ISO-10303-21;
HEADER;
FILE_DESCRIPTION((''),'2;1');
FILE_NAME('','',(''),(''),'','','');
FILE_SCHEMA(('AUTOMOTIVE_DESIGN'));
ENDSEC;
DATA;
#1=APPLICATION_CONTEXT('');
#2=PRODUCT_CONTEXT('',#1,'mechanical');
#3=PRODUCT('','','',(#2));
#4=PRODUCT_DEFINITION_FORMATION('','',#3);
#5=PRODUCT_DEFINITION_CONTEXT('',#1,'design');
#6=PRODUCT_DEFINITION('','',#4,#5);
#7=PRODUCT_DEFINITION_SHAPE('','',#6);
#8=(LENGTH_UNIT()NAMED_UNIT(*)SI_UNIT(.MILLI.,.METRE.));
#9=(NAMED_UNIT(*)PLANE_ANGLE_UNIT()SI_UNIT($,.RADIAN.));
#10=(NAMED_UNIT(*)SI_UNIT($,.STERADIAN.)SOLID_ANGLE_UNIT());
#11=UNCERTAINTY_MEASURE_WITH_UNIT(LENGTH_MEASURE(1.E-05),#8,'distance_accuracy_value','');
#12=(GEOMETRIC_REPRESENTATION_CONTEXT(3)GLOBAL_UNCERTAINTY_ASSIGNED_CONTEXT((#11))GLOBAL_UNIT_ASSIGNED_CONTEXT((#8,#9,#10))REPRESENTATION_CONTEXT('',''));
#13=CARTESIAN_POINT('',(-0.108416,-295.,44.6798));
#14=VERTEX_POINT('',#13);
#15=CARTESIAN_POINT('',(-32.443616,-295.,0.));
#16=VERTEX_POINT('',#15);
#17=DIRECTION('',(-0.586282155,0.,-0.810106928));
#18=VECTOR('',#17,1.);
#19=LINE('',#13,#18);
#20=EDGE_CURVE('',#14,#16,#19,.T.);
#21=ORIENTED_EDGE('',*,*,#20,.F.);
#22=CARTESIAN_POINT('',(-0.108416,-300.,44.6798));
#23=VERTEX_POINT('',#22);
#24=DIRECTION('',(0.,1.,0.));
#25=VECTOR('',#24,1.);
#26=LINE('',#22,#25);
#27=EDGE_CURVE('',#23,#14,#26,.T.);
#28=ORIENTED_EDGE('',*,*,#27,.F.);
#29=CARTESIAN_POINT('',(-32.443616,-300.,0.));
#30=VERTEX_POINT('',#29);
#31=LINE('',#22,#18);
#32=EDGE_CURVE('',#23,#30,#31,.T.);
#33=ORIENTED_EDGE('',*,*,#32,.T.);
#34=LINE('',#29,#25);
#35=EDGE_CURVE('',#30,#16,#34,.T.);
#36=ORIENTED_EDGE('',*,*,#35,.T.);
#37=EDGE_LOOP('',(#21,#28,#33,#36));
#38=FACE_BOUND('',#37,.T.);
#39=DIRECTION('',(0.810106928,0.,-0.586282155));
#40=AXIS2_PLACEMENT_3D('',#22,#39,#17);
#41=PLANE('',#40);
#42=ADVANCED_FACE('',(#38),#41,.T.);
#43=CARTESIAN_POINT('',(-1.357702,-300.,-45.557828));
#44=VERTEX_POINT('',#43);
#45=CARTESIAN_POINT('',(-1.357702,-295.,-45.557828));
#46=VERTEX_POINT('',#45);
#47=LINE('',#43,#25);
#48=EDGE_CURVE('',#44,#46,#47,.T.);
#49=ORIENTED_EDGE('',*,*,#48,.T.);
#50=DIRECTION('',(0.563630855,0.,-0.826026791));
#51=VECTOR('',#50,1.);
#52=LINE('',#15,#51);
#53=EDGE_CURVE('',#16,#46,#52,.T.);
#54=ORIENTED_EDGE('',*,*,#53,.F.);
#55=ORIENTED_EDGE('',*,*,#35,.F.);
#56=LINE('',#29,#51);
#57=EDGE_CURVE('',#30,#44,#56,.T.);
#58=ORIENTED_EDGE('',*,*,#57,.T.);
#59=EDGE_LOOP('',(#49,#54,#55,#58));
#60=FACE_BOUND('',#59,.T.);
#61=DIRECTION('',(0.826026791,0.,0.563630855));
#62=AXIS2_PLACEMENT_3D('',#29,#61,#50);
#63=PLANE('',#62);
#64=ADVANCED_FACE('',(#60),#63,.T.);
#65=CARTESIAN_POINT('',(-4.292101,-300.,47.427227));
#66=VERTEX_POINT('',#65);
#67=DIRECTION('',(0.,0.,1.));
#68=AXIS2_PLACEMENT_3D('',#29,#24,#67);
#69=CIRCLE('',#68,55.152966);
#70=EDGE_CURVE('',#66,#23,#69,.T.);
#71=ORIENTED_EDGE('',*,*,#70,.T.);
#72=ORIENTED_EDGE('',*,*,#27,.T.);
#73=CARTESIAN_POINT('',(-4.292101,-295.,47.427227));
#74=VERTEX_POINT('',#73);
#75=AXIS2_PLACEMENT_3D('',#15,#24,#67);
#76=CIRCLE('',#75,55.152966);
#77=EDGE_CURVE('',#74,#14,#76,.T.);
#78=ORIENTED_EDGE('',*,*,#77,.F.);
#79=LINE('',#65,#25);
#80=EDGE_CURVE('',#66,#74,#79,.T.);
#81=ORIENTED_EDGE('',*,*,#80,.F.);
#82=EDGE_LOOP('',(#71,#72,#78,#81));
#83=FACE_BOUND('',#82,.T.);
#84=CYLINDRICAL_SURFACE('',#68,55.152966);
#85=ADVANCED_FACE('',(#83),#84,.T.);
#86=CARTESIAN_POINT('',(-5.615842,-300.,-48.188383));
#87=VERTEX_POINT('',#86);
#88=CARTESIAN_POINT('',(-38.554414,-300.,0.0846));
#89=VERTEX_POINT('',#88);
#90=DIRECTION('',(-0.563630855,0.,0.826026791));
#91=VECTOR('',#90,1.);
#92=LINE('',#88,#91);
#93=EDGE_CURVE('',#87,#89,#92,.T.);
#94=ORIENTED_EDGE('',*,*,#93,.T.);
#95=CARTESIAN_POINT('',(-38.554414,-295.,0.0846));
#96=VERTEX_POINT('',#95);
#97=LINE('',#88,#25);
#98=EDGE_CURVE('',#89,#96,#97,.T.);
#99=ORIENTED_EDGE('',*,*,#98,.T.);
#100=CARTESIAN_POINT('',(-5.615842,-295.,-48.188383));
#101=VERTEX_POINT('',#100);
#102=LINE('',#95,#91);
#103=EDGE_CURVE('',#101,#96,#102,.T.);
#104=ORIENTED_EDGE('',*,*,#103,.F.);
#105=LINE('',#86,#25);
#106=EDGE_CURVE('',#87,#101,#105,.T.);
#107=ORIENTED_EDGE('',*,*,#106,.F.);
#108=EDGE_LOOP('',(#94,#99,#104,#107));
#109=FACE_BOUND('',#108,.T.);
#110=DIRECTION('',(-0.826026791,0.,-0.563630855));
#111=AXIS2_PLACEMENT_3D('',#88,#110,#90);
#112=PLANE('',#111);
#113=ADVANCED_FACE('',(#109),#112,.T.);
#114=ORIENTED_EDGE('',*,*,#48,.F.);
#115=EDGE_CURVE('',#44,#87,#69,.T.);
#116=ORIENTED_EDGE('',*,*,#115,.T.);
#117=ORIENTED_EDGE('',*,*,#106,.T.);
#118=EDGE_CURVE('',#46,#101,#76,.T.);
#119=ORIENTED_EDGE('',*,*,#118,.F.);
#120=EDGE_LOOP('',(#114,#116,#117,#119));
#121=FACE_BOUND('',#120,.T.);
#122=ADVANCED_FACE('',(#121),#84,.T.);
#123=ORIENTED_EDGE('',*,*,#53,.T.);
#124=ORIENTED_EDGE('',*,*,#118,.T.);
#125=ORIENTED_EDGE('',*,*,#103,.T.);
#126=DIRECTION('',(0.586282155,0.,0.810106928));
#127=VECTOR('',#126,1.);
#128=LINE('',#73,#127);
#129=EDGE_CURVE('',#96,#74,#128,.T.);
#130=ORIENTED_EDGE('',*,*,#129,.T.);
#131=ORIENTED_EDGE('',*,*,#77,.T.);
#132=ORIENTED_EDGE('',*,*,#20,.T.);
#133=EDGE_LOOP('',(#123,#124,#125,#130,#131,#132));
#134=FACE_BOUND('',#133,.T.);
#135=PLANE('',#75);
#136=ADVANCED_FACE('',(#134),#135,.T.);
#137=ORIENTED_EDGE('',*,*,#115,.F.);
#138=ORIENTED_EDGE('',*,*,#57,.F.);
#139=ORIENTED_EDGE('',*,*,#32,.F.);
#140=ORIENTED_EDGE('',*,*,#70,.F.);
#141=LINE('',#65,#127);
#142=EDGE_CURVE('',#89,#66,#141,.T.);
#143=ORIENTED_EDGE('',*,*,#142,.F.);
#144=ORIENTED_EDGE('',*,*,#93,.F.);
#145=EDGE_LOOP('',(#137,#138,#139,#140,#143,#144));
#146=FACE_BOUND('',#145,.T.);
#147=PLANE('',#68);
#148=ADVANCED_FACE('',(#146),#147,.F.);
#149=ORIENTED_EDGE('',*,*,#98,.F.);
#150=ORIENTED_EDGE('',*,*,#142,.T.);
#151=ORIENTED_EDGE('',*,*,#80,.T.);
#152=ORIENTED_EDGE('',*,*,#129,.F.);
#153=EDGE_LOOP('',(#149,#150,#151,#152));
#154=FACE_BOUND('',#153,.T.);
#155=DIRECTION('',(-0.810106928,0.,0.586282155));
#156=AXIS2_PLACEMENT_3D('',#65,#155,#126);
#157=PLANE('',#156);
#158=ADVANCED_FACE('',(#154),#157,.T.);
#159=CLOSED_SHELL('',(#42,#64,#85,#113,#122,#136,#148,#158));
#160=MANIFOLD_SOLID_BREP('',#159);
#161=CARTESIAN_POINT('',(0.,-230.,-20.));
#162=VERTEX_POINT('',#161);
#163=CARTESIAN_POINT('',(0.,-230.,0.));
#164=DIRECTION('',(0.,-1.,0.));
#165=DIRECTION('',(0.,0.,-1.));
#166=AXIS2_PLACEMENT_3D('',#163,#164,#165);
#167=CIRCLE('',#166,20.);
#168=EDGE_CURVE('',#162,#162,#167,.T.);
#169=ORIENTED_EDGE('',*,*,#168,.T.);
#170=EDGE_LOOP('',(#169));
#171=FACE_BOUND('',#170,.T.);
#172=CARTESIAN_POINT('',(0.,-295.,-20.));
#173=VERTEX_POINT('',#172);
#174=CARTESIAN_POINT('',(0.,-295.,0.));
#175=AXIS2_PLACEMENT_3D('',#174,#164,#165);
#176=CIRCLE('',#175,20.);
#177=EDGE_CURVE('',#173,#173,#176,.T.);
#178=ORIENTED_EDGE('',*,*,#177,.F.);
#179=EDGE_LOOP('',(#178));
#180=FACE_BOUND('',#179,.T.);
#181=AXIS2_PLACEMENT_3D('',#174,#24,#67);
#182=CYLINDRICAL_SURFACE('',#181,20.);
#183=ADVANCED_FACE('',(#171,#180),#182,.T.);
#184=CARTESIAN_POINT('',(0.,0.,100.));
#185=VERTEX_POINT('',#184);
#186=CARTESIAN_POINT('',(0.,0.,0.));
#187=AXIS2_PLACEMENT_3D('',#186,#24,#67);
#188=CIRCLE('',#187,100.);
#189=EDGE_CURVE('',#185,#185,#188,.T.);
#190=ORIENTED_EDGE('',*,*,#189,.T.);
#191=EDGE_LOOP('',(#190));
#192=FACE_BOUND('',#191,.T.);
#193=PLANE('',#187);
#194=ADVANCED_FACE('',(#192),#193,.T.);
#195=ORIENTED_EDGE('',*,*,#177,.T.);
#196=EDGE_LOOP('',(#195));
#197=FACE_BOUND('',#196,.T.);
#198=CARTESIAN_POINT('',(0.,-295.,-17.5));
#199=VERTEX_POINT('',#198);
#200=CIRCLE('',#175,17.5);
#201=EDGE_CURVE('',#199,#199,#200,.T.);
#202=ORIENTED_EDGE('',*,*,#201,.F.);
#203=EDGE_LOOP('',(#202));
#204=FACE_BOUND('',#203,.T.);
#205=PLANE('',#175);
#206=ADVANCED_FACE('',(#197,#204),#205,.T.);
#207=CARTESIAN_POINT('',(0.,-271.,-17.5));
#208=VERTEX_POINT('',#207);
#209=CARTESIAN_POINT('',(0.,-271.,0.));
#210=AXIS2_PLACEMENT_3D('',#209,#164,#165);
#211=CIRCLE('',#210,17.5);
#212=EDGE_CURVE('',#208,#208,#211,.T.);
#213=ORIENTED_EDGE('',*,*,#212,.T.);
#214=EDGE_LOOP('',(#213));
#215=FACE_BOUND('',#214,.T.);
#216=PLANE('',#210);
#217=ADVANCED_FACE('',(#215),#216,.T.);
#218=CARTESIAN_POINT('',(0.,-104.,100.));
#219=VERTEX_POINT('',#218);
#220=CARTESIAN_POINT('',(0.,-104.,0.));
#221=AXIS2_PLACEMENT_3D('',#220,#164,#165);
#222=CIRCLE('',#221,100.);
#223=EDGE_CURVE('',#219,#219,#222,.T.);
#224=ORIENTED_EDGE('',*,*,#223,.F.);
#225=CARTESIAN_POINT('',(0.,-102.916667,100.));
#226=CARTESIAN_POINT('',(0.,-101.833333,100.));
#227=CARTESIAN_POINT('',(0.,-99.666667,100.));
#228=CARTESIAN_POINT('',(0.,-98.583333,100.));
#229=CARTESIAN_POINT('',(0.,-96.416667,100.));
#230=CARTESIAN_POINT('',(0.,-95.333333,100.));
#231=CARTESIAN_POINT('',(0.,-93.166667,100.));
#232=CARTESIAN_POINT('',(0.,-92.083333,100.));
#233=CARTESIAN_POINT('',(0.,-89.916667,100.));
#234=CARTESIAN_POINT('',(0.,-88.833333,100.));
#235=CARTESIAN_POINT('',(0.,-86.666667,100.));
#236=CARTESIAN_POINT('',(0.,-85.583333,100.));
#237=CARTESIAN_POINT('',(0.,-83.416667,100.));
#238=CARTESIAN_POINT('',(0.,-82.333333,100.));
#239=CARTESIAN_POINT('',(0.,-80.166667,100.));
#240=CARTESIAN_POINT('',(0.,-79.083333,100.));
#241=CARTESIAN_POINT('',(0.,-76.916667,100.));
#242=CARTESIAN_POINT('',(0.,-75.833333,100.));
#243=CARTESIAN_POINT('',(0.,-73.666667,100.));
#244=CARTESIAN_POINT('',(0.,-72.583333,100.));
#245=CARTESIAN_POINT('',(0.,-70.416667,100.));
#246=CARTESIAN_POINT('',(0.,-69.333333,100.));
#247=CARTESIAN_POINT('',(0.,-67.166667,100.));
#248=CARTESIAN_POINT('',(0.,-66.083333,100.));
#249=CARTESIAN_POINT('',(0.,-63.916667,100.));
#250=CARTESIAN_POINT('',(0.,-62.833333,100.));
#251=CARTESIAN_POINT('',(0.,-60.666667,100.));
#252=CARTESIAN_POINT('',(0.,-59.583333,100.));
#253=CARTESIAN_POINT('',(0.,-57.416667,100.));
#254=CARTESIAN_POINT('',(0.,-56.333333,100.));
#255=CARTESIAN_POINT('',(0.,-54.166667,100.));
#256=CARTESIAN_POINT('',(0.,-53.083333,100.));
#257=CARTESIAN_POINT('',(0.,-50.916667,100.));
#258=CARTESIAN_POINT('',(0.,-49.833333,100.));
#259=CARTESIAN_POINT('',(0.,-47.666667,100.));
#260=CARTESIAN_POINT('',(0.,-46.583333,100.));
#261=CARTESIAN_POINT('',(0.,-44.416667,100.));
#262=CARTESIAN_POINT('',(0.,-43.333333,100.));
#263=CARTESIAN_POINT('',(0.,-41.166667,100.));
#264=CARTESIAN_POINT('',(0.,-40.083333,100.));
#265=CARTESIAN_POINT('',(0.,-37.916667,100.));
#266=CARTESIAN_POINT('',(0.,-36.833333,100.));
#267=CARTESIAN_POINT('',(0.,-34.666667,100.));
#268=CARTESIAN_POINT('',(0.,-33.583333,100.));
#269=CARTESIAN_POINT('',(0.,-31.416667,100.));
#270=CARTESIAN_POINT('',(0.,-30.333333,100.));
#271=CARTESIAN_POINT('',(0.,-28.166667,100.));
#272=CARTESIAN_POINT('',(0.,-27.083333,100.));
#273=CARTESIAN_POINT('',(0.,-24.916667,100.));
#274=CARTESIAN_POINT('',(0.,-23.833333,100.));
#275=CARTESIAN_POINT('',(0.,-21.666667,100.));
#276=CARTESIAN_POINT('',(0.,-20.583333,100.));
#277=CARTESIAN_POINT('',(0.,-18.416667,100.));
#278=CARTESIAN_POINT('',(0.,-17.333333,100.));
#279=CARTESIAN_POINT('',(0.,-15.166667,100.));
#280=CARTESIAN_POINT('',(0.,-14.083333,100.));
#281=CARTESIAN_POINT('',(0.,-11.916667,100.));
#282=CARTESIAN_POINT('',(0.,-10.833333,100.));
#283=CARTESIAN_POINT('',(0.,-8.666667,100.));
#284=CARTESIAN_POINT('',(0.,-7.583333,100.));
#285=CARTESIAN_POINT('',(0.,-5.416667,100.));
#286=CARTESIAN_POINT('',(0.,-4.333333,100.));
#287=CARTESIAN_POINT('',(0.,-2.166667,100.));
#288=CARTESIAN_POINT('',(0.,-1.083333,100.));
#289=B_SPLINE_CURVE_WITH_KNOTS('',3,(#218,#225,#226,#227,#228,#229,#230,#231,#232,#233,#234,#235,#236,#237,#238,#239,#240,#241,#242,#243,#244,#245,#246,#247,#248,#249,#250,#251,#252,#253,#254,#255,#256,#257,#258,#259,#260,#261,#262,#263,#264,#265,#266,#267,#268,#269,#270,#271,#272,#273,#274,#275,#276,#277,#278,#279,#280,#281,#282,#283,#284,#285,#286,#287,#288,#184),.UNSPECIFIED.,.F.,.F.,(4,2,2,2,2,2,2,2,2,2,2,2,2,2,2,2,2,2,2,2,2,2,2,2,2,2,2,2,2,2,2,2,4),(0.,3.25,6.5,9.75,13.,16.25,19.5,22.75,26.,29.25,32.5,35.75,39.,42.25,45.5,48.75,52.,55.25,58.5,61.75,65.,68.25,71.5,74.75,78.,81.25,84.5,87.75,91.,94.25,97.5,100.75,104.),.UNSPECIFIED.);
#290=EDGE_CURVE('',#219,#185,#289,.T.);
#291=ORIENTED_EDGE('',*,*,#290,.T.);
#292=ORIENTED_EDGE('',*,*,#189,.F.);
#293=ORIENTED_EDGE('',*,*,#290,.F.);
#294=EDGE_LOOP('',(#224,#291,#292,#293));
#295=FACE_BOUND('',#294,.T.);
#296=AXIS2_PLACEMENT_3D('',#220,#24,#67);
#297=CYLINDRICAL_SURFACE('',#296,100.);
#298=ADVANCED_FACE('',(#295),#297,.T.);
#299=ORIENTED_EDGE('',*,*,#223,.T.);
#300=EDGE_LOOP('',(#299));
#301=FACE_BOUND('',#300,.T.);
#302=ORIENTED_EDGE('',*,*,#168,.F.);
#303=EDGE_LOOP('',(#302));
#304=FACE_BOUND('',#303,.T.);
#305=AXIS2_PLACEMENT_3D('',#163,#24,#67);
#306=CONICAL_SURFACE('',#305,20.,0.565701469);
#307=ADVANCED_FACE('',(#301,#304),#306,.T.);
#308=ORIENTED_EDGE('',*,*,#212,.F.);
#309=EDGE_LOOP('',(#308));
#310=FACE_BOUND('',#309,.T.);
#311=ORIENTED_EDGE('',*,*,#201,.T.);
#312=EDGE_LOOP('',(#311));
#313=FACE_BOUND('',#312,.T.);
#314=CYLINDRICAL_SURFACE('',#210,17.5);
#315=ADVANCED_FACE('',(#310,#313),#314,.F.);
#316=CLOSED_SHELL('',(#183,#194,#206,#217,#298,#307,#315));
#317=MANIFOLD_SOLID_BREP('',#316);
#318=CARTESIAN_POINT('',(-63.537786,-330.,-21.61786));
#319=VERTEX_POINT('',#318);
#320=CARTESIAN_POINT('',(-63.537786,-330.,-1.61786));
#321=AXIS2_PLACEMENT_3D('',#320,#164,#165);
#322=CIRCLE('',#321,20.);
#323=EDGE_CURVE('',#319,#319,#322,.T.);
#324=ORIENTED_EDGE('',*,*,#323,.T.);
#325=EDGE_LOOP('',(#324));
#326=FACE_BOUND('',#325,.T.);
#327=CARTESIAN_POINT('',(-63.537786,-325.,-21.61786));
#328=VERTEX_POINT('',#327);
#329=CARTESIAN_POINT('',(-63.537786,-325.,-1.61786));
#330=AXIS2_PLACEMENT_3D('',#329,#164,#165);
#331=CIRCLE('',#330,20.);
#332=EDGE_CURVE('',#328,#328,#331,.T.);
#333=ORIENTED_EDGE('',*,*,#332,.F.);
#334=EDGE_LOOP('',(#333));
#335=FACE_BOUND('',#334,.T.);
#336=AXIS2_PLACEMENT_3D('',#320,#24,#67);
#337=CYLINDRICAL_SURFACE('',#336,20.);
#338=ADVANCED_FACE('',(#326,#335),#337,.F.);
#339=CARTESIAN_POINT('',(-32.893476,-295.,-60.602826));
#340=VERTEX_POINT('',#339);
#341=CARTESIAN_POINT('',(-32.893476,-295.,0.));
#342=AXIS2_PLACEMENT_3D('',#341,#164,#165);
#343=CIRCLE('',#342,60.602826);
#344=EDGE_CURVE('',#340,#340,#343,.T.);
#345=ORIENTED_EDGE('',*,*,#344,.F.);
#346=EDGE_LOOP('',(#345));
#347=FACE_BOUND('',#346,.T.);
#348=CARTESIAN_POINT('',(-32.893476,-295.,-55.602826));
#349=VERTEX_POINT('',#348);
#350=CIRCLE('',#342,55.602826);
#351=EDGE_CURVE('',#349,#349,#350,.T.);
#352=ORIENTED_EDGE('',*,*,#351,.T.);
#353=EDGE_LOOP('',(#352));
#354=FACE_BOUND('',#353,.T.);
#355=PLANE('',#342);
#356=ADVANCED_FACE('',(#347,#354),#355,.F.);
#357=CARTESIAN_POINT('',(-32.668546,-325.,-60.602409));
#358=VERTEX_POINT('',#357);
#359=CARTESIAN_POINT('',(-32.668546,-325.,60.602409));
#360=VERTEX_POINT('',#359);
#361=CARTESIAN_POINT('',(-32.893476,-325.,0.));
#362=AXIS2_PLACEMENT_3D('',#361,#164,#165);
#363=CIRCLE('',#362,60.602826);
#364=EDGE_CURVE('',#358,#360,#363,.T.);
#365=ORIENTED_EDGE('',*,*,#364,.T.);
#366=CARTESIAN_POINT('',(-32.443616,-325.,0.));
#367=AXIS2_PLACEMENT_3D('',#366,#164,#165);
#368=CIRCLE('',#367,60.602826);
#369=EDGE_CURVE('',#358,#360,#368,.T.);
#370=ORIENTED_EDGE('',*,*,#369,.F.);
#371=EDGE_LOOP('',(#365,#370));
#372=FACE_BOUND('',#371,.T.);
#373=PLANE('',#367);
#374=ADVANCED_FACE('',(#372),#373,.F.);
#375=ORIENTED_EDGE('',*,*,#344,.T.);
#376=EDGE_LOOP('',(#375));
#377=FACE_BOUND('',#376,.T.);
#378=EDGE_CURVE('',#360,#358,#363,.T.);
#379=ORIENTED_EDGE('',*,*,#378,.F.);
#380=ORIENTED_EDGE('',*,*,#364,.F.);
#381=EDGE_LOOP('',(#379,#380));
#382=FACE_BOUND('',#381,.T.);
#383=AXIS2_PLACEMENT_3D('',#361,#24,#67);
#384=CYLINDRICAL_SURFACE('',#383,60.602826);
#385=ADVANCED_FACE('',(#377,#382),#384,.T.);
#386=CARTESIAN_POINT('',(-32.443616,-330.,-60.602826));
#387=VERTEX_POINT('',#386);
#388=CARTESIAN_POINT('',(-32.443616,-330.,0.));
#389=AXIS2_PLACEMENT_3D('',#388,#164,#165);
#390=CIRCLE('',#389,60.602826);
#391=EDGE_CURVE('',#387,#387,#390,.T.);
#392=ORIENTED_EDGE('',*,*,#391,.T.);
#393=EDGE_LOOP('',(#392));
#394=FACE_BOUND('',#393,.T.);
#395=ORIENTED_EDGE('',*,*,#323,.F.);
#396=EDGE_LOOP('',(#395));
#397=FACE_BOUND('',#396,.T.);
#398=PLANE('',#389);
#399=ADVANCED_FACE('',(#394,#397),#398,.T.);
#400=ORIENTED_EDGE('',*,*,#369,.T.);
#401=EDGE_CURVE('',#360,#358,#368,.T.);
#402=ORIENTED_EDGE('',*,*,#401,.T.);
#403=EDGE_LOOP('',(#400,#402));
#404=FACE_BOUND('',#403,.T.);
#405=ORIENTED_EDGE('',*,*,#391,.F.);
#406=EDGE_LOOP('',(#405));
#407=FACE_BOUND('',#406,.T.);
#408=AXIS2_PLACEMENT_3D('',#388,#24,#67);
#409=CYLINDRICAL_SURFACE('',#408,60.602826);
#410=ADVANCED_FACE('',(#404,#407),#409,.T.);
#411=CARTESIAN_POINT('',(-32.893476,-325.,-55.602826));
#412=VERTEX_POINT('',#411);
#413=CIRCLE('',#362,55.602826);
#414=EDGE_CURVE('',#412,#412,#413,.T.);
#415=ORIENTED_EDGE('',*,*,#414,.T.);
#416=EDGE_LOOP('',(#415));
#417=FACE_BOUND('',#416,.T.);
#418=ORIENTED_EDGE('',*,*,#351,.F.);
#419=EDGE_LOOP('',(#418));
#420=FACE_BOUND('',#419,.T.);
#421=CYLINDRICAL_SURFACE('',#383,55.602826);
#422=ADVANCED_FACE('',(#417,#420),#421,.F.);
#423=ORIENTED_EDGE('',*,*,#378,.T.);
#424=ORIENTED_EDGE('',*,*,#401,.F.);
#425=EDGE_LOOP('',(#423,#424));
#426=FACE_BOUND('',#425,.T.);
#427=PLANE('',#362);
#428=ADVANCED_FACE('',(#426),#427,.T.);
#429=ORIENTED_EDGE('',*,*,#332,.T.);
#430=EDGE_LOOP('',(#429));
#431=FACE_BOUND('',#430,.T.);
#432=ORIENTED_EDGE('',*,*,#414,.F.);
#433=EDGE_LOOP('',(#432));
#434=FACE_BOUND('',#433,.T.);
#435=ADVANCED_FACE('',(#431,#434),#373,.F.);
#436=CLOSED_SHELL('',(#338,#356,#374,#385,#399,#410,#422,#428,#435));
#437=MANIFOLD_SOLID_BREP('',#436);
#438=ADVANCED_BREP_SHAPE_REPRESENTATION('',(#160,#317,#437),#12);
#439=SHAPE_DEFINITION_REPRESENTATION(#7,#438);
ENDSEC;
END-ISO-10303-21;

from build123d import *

# Parameters (mm, degrees)
CROQUIS1_R              = 100
SALIENTE_EXTRUIR1_DEPTH = 104
CROQUIS3_R              = 20
CROQUIS2_R              = 100
CROQUIS4_R              = 20
SALIENTE_EXTRUIR2_DEPTH = 65
CROQUIS7_R              = 17.5
CORTAR_EXTRUIR2_DEPTH   = 24
CROQUIS8_R              = 60.602826114
CROQUIS8_R_2            = 55.602826114
SALIENTE_EXTRUIR3_DEPTH = 30
CROQUIS10_R             = 60.602826114
CROQUIS10_R_2           = 20
SALIENTE_EXTRUIR5_DEPTH = 5
SALIENTE_EXTRUIR6_DEPTH = 5


with BuildPart() as part:
    # Croquis1 → Saliente-Extruir1 (new body)
    with BuildSketch(Plane(origin=(0, 0, 0), x_dir=(1, 0, 0), z_dir=(0, 1, 0))):
        with Locations(Location((0, 0, 0), (0, 0, 270))):
            Circle(CROQUIS1_R)
    extrude(amount=-SALIENTE_EXTRUIR1_DEPTH)

    # Croquis3 → Recubrir1 section 0
    with BuildSketch(Plane(origin=(0, -230, 0), x_dir=(1, 0, 0), z_dir=(0, 1, 0))):
        Circle(CROQUIS3_R)
    # Croquis2 → Recubrir1 section 1
    with BuildSketch(Plane.XZ.offset(104)):
        Circle(CROQUIS2_R)
    loft()

    # Croquis4 → Saliente-Extruir2 (add)
    with BuildSketch(Plane.XZ.offset(230)):
        with Locations(Location((0, 0, 0), (0, 0, 270))):
            Circle(CROQUIS4_R)
    extrude(amount=SALIENTE_EXTRUIR2_DEPTH)

    # Croquis7 → Cortar-Extruir2 (cut)
    with BuildSketch(Plane.XZ.offset(295)):
        with Locations(Location((0, 0, 0), (0, 0, 270))):
            Circle(CROQUIS7_R)
    extrude(amount=-CORTAR_EXTRUIR2_DEPTH, mode=Mode.SUBTRACT)


with BuildPart() as body_2:
    # Croquis8 → Saliente-Extruir3 (new body)
    with BuildSketch(Plane.XZ.offset(295)):
        with Locations(Location((-32.893475565, 0, 0), (0, 0, 270))):
            Circle(CROQUIS8_R)
        with Locations(Location((-32.893475565, 0, 0), (0, 0, 270))):
            Circle(CROQUIS8_R_2, mode=Mode.SUBTRACT)
    extrude(amount=SALIENTE_EXTRUIR3_DEPTH)

    # Croquis10 → Saliente-Extruir5 (add)
    with BuildSketch(Plane.XZ.offset(325)):
        with Locations(Location((-32.443615628, 0, 0), (0, 0, 90.212656212))):
            Circle(CROQUIS10_R)
        with Locations(Location((-63.53778642, -1.617860302, 0), (0, 0, 270))):
            Circle(CROQUIS10_R_2, mode=Mode.SUBTRACT)
    extrude(amount=SALIENTE_EXTRUIR5_DEPTH)


with BuildPart() as body_3:
    # Croquis11 → Saliente-Extruir6 (new body)
    with BuildSketch(Plane(origin=(0, -295, 0), x_dir=(1, 0, 0), z_dir=(0, 1, 0))):
        with BuildLine():
            Line((-0.108415749, -44.679799988), (-32.443615628, 0))
            Line((-32.443615628, 0), (-1.357702125, 45.557827647))
            ThreePointArc((-1.357702125, 45.557827647), (-3.456916322, 46.921433711), (-5.615842275, 48.188382989))
            Line((-5.615842275, 48.188382989), (-38.554414262, -0.084600379))
            Line((-38.554414262, -0.084600379), (-4.292100921, -47.42722739))
            ThreePointArc((-4.292100921, -47.42722739), (-2.169076001, -46.100997045), (-0.108415749, -44.679799988))
        make_face()
    extrude(amount=-SALIENTE_EXTRUIR6_DEPTH)


solid = Compound([part.part, body_2.part, body_3.part])
